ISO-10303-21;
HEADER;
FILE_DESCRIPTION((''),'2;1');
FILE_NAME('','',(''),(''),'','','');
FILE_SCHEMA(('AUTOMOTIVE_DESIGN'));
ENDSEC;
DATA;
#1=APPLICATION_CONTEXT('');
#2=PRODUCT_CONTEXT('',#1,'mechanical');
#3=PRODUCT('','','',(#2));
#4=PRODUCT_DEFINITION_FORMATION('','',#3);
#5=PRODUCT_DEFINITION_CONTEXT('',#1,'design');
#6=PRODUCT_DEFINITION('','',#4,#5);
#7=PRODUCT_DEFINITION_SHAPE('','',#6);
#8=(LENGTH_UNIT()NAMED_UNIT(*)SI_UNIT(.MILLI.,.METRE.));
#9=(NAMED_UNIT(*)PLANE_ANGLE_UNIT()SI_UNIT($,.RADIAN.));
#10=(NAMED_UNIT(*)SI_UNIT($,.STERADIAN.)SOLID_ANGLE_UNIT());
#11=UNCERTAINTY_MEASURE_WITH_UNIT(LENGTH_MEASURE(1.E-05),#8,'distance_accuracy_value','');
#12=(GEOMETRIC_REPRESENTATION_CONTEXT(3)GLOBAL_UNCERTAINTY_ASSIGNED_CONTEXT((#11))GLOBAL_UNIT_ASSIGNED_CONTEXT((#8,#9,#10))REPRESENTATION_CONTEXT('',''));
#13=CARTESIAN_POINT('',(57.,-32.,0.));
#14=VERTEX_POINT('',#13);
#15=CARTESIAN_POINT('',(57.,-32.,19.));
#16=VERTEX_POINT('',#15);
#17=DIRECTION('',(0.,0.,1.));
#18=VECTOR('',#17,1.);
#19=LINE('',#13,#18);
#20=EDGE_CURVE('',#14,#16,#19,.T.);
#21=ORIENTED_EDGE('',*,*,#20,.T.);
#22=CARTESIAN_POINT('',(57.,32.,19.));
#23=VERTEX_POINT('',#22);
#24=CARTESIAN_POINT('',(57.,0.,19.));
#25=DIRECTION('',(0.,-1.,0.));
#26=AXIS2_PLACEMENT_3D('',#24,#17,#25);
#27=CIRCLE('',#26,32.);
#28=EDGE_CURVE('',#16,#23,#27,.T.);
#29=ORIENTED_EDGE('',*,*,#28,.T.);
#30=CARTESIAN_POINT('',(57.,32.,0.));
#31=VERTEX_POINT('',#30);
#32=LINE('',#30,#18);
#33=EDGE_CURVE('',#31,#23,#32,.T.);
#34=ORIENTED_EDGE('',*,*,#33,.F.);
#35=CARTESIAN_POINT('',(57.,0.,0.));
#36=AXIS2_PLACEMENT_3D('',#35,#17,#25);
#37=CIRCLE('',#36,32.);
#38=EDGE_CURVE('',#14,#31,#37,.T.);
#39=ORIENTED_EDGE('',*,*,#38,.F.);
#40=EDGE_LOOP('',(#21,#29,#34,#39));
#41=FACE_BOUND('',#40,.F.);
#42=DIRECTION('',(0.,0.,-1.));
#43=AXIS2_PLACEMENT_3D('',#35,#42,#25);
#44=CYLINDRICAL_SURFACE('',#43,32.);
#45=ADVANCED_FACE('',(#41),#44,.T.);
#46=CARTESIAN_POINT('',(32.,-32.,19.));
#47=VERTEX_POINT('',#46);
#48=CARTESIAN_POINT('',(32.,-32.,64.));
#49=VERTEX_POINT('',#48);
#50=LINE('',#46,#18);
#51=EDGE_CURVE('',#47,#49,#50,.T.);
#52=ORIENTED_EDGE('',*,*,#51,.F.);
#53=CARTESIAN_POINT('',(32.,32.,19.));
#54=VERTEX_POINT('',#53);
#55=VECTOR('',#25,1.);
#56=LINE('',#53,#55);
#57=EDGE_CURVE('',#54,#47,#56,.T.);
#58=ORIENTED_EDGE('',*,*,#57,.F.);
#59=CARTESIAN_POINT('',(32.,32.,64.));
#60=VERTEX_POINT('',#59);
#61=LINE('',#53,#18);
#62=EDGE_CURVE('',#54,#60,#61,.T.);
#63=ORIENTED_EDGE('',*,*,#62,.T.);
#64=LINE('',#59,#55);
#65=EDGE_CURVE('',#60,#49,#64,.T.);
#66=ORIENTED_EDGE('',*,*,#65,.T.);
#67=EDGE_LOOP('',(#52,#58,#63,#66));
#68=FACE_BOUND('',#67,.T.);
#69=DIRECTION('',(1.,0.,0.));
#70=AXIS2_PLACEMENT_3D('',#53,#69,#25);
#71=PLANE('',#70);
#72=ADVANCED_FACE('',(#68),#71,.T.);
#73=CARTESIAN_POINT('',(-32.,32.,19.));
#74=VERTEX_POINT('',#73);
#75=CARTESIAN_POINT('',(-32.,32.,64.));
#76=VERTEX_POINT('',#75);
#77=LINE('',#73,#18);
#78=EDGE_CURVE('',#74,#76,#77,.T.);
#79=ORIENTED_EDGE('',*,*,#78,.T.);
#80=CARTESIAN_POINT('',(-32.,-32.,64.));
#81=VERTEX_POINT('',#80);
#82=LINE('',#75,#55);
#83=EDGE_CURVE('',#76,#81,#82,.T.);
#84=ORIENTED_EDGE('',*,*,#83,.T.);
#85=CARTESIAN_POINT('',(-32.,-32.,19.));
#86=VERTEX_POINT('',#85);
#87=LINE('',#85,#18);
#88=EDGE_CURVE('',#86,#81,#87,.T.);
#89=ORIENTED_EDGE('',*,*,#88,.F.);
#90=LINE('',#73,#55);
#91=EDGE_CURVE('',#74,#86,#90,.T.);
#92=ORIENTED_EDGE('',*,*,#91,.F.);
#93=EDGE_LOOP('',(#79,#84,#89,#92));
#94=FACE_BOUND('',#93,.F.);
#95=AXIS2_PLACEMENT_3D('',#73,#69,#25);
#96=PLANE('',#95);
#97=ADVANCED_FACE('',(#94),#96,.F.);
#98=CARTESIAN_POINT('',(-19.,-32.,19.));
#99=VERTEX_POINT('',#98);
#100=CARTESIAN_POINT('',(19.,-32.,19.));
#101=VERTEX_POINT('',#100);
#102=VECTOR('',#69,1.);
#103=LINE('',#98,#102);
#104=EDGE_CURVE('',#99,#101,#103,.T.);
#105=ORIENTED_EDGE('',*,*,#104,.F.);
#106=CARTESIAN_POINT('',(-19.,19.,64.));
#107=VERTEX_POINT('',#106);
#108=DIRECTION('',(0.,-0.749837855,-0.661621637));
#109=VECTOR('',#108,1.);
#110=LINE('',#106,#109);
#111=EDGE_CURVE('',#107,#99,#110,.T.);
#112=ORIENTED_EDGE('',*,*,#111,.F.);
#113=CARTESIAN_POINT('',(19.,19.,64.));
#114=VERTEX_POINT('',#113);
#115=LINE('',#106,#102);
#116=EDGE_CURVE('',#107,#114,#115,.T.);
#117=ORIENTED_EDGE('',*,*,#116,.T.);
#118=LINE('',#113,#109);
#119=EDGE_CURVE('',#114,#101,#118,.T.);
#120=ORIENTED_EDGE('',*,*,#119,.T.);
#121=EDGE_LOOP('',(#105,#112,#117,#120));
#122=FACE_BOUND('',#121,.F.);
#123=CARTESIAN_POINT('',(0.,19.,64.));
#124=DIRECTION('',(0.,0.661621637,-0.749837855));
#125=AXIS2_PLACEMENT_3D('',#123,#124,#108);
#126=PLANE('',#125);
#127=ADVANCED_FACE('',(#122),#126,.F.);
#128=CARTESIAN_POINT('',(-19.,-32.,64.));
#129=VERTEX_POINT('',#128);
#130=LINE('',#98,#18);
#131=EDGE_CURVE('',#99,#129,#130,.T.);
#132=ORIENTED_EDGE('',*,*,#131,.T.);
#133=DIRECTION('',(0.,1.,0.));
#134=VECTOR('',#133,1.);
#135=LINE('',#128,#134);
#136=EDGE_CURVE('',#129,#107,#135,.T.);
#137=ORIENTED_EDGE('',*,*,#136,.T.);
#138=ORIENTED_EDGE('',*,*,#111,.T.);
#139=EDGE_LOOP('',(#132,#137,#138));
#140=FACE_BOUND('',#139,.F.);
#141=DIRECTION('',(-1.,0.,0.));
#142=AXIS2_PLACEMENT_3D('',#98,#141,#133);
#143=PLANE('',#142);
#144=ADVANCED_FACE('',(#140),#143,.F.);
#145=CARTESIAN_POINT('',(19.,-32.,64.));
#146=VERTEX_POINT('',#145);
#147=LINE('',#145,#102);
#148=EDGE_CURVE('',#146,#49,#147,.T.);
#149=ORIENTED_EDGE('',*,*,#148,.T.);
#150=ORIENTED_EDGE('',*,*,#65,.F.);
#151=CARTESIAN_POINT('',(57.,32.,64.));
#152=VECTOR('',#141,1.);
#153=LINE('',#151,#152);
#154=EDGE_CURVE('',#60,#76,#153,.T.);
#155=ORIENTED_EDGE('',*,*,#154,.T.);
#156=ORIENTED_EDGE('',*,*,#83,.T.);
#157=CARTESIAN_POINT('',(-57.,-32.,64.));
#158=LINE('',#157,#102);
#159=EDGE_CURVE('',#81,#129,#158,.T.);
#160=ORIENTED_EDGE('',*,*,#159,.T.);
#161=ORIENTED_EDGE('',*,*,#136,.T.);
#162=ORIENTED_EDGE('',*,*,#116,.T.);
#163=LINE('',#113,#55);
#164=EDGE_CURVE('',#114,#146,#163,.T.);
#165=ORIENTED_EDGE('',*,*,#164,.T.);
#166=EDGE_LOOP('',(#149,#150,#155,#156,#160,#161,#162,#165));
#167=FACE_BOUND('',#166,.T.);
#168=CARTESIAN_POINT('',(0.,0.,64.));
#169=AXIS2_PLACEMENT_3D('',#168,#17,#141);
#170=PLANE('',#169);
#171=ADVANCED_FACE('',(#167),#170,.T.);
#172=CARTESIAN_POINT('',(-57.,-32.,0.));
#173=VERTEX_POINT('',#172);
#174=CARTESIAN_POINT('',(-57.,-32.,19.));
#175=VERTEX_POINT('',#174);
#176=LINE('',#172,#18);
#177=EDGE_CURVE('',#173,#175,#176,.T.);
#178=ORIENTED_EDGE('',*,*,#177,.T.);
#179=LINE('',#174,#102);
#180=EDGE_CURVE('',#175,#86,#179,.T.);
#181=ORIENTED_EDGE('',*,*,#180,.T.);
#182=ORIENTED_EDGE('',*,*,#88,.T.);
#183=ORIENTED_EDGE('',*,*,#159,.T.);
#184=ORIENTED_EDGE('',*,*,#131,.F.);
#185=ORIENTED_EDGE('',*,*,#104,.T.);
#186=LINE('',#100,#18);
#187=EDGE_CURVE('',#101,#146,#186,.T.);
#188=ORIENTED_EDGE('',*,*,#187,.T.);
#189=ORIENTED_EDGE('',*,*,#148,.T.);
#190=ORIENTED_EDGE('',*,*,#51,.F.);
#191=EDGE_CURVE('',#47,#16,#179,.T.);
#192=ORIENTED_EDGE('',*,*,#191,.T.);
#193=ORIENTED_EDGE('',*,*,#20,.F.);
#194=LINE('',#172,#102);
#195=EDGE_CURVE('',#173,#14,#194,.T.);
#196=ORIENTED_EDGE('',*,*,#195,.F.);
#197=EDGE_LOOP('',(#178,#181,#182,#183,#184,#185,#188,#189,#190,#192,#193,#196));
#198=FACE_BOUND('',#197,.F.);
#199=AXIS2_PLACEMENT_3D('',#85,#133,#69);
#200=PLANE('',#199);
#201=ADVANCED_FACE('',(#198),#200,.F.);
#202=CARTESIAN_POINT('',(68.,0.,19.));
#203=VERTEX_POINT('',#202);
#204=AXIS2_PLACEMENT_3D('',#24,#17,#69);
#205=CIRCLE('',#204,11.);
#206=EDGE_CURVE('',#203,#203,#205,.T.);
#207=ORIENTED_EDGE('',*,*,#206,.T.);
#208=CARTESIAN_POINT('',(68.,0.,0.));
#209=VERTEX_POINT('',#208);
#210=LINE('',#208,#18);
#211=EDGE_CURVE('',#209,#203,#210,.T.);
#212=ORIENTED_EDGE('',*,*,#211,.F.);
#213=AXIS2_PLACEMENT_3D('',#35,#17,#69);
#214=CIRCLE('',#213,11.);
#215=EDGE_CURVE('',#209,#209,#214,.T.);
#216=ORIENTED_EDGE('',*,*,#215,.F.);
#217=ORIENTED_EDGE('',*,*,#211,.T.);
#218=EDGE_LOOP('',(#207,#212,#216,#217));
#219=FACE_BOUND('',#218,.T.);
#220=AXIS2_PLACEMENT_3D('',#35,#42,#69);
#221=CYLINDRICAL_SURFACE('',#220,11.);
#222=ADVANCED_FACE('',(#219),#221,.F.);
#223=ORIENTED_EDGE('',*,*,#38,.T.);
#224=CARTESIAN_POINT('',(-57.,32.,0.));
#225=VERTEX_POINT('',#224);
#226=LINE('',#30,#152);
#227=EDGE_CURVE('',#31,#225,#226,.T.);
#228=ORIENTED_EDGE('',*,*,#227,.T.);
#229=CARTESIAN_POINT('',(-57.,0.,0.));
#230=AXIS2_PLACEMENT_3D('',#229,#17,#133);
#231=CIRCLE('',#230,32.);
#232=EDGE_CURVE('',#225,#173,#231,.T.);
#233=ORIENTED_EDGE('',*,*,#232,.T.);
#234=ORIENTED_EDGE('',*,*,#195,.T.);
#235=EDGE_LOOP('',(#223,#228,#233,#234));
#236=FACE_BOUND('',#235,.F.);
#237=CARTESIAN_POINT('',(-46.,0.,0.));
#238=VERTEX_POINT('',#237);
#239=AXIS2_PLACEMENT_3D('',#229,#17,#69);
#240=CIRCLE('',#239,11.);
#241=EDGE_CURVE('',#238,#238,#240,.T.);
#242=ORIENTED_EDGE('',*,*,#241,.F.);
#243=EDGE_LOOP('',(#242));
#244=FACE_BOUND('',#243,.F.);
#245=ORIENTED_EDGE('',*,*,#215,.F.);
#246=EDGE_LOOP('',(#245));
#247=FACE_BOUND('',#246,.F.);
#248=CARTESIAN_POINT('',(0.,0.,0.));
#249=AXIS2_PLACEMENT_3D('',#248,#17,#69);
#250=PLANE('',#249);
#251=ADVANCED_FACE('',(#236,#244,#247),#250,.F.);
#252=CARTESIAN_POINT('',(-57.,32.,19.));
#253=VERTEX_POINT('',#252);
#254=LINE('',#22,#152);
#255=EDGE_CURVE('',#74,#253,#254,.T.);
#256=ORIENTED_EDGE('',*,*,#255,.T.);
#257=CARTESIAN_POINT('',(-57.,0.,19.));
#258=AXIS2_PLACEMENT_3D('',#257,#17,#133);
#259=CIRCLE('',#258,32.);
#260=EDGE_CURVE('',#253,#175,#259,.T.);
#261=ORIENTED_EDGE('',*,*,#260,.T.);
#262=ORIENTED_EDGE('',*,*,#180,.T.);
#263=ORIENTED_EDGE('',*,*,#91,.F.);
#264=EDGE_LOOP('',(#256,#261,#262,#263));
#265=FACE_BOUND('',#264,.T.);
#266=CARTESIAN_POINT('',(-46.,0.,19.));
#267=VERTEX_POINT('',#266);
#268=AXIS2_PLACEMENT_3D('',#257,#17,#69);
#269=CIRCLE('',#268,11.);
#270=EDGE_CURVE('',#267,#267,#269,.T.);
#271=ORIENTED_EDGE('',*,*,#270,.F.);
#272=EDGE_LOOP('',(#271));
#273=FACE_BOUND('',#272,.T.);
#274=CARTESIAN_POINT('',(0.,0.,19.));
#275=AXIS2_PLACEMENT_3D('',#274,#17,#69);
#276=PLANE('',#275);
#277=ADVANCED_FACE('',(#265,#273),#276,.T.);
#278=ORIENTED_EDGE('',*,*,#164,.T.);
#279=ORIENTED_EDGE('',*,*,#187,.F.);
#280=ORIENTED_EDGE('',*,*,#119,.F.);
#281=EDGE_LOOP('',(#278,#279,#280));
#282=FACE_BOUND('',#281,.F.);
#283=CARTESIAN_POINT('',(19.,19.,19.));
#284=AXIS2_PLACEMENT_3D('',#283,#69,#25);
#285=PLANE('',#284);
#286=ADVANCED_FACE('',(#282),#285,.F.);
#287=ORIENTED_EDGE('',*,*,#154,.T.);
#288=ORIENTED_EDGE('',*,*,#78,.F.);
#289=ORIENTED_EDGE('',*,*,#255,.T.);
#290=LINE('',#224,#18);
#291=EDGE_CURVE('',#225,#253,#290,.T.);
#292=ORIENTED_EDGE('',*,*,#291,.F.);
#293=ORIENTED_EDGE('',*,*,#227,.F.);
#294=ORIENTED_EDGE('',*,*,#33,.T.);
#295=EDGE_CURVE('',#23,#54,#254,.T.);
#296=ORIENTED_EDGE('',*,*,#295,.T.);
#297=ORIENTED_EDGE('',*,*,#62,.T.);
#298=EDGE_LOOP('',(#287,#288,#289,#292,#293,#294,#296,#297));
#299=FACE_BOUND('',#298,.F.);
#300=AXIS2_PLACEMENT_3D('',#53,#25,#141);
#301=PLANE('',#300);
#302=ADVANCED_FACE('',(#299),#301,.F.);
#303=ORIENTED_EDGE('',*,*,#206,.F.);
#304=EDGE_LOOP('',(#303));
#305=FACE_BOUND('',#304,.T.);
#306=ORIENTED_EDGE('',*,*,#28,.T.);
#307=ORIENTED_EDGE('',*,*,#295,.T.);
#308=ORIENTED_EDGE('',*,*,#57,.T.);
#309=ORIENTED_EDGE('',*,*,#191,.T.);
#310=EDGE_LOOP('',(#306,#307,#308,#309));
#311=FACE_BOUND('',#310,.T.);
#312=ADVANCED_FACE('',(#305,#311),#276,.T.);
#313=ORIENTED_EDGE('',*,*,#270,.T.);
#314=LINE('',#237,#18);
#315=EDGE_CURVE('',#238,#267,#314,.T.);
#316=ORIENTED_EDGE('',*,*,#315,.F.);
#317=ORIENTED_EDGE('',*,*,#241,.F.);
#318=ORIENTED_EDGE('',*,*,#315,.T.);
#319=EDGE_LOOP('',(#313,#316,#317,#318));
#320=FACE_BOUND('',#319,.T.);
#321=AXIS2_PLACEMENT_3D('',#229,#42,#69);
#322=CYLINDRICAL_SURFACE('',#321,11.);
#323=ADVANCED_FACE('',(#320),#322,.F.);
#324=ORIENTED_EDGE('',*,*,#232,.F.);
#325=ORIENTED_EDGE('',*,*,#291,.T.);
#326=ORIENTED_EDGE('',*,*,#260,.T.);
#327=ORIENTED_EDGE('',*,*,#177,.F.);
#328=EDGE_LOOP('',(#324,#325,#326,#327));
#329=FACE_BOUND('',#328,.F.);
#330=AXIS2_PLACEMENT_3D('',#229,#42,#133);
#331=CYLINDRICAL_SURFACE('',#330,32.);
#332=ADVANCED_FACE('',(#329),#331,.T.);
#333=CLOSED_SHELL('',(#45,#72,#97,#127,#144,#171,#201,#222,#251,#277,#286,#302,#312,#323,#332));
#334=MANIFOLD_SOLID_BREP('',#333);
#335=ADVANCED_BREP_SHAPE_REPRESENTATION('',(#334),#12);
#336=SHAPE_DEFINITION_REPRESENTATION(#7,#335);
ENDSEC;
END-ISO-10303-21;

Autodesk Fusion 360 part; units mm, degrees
sketch "Sketch1" plane through (0, 0, 0) normal (0, 0, 1) x (1, 0, 0)
  line L0 (57, 32) -> (-57, 32)
  line L1 (-57, -32) -> (57, -32)
  circle A0 centre (57, 0) radius 11
  circle A1 centre (-57, 0) radius 11
  arc A2 (-57, 32) -> (-57, -32) centre (-57, 0) ccw
  arc A3 (57, -32) -> (57, 32) centre (57, 0) ccw
  dimension "d1" = 114
  dimension "d2" = 64
  dimension "d3" = 22
  dimension "d4" = 22
extrude "Extrude1" add sketch "Sketch1" along normal blind 19 makes body 1
sketch "Sketch2" plane through (0, 0, 0) normal (1, 0, 0) x (0, 1, 0)
  line L0 (-32, 19) -> (19, 19)
  line L1 (19, 19) -> (19, 64)
  line L2 (19, 64) -> (-32, 19)
  dimension "d7" = 51
  dimension "d8" = 45
extrude "Extrude2" add sketch "Sketch2" along normal mid plane 38 bodies 1
sketch "Sketch3" plane through (0, 0, 19) normal (0, 0, 1) x (-1, 0, 0)
  line L0 (-19, -19) -> (-19, 32)
  line L1 (-19, 32) -> (-57, 32)
  arc A0 (-57, 32) -> (-57, -32) centre (-57, 0) ccw
  line L2 (-57, -32) -> (57, -32)
  arc A1 (57, -32) -> (57, 32) centre (57, 0) ccw
  line L3 (57, 32) -> (19, 32)
  line L4 (19, 32) -> (19, -19)
  line L5 (19, -19) -> (-19, -19)
  circle A2 centre (57, 0) radius 11
  circle A3 centre (-57, 0) radius 11
  line L6 (32, -32) -> (32, 32)
  line L7 (-32, -32) -> (-32, 32)
  dimension "d11" = 64
  dimension "d12" = 64
  dimension "d13" = 64
  dimension "d14" = 13
extrude "Extrude3" add sketch "Sketch3" along normal blind 45 separate body contours L0 L1 L2 L3 L4 L5 L6 L7 makes body 2
combine "Combine1" operation add target body 2 tool bodies 1
equation "d8 = 64 mm - 19 mm"
equation "d15 = 64 mm - 19 mm"
